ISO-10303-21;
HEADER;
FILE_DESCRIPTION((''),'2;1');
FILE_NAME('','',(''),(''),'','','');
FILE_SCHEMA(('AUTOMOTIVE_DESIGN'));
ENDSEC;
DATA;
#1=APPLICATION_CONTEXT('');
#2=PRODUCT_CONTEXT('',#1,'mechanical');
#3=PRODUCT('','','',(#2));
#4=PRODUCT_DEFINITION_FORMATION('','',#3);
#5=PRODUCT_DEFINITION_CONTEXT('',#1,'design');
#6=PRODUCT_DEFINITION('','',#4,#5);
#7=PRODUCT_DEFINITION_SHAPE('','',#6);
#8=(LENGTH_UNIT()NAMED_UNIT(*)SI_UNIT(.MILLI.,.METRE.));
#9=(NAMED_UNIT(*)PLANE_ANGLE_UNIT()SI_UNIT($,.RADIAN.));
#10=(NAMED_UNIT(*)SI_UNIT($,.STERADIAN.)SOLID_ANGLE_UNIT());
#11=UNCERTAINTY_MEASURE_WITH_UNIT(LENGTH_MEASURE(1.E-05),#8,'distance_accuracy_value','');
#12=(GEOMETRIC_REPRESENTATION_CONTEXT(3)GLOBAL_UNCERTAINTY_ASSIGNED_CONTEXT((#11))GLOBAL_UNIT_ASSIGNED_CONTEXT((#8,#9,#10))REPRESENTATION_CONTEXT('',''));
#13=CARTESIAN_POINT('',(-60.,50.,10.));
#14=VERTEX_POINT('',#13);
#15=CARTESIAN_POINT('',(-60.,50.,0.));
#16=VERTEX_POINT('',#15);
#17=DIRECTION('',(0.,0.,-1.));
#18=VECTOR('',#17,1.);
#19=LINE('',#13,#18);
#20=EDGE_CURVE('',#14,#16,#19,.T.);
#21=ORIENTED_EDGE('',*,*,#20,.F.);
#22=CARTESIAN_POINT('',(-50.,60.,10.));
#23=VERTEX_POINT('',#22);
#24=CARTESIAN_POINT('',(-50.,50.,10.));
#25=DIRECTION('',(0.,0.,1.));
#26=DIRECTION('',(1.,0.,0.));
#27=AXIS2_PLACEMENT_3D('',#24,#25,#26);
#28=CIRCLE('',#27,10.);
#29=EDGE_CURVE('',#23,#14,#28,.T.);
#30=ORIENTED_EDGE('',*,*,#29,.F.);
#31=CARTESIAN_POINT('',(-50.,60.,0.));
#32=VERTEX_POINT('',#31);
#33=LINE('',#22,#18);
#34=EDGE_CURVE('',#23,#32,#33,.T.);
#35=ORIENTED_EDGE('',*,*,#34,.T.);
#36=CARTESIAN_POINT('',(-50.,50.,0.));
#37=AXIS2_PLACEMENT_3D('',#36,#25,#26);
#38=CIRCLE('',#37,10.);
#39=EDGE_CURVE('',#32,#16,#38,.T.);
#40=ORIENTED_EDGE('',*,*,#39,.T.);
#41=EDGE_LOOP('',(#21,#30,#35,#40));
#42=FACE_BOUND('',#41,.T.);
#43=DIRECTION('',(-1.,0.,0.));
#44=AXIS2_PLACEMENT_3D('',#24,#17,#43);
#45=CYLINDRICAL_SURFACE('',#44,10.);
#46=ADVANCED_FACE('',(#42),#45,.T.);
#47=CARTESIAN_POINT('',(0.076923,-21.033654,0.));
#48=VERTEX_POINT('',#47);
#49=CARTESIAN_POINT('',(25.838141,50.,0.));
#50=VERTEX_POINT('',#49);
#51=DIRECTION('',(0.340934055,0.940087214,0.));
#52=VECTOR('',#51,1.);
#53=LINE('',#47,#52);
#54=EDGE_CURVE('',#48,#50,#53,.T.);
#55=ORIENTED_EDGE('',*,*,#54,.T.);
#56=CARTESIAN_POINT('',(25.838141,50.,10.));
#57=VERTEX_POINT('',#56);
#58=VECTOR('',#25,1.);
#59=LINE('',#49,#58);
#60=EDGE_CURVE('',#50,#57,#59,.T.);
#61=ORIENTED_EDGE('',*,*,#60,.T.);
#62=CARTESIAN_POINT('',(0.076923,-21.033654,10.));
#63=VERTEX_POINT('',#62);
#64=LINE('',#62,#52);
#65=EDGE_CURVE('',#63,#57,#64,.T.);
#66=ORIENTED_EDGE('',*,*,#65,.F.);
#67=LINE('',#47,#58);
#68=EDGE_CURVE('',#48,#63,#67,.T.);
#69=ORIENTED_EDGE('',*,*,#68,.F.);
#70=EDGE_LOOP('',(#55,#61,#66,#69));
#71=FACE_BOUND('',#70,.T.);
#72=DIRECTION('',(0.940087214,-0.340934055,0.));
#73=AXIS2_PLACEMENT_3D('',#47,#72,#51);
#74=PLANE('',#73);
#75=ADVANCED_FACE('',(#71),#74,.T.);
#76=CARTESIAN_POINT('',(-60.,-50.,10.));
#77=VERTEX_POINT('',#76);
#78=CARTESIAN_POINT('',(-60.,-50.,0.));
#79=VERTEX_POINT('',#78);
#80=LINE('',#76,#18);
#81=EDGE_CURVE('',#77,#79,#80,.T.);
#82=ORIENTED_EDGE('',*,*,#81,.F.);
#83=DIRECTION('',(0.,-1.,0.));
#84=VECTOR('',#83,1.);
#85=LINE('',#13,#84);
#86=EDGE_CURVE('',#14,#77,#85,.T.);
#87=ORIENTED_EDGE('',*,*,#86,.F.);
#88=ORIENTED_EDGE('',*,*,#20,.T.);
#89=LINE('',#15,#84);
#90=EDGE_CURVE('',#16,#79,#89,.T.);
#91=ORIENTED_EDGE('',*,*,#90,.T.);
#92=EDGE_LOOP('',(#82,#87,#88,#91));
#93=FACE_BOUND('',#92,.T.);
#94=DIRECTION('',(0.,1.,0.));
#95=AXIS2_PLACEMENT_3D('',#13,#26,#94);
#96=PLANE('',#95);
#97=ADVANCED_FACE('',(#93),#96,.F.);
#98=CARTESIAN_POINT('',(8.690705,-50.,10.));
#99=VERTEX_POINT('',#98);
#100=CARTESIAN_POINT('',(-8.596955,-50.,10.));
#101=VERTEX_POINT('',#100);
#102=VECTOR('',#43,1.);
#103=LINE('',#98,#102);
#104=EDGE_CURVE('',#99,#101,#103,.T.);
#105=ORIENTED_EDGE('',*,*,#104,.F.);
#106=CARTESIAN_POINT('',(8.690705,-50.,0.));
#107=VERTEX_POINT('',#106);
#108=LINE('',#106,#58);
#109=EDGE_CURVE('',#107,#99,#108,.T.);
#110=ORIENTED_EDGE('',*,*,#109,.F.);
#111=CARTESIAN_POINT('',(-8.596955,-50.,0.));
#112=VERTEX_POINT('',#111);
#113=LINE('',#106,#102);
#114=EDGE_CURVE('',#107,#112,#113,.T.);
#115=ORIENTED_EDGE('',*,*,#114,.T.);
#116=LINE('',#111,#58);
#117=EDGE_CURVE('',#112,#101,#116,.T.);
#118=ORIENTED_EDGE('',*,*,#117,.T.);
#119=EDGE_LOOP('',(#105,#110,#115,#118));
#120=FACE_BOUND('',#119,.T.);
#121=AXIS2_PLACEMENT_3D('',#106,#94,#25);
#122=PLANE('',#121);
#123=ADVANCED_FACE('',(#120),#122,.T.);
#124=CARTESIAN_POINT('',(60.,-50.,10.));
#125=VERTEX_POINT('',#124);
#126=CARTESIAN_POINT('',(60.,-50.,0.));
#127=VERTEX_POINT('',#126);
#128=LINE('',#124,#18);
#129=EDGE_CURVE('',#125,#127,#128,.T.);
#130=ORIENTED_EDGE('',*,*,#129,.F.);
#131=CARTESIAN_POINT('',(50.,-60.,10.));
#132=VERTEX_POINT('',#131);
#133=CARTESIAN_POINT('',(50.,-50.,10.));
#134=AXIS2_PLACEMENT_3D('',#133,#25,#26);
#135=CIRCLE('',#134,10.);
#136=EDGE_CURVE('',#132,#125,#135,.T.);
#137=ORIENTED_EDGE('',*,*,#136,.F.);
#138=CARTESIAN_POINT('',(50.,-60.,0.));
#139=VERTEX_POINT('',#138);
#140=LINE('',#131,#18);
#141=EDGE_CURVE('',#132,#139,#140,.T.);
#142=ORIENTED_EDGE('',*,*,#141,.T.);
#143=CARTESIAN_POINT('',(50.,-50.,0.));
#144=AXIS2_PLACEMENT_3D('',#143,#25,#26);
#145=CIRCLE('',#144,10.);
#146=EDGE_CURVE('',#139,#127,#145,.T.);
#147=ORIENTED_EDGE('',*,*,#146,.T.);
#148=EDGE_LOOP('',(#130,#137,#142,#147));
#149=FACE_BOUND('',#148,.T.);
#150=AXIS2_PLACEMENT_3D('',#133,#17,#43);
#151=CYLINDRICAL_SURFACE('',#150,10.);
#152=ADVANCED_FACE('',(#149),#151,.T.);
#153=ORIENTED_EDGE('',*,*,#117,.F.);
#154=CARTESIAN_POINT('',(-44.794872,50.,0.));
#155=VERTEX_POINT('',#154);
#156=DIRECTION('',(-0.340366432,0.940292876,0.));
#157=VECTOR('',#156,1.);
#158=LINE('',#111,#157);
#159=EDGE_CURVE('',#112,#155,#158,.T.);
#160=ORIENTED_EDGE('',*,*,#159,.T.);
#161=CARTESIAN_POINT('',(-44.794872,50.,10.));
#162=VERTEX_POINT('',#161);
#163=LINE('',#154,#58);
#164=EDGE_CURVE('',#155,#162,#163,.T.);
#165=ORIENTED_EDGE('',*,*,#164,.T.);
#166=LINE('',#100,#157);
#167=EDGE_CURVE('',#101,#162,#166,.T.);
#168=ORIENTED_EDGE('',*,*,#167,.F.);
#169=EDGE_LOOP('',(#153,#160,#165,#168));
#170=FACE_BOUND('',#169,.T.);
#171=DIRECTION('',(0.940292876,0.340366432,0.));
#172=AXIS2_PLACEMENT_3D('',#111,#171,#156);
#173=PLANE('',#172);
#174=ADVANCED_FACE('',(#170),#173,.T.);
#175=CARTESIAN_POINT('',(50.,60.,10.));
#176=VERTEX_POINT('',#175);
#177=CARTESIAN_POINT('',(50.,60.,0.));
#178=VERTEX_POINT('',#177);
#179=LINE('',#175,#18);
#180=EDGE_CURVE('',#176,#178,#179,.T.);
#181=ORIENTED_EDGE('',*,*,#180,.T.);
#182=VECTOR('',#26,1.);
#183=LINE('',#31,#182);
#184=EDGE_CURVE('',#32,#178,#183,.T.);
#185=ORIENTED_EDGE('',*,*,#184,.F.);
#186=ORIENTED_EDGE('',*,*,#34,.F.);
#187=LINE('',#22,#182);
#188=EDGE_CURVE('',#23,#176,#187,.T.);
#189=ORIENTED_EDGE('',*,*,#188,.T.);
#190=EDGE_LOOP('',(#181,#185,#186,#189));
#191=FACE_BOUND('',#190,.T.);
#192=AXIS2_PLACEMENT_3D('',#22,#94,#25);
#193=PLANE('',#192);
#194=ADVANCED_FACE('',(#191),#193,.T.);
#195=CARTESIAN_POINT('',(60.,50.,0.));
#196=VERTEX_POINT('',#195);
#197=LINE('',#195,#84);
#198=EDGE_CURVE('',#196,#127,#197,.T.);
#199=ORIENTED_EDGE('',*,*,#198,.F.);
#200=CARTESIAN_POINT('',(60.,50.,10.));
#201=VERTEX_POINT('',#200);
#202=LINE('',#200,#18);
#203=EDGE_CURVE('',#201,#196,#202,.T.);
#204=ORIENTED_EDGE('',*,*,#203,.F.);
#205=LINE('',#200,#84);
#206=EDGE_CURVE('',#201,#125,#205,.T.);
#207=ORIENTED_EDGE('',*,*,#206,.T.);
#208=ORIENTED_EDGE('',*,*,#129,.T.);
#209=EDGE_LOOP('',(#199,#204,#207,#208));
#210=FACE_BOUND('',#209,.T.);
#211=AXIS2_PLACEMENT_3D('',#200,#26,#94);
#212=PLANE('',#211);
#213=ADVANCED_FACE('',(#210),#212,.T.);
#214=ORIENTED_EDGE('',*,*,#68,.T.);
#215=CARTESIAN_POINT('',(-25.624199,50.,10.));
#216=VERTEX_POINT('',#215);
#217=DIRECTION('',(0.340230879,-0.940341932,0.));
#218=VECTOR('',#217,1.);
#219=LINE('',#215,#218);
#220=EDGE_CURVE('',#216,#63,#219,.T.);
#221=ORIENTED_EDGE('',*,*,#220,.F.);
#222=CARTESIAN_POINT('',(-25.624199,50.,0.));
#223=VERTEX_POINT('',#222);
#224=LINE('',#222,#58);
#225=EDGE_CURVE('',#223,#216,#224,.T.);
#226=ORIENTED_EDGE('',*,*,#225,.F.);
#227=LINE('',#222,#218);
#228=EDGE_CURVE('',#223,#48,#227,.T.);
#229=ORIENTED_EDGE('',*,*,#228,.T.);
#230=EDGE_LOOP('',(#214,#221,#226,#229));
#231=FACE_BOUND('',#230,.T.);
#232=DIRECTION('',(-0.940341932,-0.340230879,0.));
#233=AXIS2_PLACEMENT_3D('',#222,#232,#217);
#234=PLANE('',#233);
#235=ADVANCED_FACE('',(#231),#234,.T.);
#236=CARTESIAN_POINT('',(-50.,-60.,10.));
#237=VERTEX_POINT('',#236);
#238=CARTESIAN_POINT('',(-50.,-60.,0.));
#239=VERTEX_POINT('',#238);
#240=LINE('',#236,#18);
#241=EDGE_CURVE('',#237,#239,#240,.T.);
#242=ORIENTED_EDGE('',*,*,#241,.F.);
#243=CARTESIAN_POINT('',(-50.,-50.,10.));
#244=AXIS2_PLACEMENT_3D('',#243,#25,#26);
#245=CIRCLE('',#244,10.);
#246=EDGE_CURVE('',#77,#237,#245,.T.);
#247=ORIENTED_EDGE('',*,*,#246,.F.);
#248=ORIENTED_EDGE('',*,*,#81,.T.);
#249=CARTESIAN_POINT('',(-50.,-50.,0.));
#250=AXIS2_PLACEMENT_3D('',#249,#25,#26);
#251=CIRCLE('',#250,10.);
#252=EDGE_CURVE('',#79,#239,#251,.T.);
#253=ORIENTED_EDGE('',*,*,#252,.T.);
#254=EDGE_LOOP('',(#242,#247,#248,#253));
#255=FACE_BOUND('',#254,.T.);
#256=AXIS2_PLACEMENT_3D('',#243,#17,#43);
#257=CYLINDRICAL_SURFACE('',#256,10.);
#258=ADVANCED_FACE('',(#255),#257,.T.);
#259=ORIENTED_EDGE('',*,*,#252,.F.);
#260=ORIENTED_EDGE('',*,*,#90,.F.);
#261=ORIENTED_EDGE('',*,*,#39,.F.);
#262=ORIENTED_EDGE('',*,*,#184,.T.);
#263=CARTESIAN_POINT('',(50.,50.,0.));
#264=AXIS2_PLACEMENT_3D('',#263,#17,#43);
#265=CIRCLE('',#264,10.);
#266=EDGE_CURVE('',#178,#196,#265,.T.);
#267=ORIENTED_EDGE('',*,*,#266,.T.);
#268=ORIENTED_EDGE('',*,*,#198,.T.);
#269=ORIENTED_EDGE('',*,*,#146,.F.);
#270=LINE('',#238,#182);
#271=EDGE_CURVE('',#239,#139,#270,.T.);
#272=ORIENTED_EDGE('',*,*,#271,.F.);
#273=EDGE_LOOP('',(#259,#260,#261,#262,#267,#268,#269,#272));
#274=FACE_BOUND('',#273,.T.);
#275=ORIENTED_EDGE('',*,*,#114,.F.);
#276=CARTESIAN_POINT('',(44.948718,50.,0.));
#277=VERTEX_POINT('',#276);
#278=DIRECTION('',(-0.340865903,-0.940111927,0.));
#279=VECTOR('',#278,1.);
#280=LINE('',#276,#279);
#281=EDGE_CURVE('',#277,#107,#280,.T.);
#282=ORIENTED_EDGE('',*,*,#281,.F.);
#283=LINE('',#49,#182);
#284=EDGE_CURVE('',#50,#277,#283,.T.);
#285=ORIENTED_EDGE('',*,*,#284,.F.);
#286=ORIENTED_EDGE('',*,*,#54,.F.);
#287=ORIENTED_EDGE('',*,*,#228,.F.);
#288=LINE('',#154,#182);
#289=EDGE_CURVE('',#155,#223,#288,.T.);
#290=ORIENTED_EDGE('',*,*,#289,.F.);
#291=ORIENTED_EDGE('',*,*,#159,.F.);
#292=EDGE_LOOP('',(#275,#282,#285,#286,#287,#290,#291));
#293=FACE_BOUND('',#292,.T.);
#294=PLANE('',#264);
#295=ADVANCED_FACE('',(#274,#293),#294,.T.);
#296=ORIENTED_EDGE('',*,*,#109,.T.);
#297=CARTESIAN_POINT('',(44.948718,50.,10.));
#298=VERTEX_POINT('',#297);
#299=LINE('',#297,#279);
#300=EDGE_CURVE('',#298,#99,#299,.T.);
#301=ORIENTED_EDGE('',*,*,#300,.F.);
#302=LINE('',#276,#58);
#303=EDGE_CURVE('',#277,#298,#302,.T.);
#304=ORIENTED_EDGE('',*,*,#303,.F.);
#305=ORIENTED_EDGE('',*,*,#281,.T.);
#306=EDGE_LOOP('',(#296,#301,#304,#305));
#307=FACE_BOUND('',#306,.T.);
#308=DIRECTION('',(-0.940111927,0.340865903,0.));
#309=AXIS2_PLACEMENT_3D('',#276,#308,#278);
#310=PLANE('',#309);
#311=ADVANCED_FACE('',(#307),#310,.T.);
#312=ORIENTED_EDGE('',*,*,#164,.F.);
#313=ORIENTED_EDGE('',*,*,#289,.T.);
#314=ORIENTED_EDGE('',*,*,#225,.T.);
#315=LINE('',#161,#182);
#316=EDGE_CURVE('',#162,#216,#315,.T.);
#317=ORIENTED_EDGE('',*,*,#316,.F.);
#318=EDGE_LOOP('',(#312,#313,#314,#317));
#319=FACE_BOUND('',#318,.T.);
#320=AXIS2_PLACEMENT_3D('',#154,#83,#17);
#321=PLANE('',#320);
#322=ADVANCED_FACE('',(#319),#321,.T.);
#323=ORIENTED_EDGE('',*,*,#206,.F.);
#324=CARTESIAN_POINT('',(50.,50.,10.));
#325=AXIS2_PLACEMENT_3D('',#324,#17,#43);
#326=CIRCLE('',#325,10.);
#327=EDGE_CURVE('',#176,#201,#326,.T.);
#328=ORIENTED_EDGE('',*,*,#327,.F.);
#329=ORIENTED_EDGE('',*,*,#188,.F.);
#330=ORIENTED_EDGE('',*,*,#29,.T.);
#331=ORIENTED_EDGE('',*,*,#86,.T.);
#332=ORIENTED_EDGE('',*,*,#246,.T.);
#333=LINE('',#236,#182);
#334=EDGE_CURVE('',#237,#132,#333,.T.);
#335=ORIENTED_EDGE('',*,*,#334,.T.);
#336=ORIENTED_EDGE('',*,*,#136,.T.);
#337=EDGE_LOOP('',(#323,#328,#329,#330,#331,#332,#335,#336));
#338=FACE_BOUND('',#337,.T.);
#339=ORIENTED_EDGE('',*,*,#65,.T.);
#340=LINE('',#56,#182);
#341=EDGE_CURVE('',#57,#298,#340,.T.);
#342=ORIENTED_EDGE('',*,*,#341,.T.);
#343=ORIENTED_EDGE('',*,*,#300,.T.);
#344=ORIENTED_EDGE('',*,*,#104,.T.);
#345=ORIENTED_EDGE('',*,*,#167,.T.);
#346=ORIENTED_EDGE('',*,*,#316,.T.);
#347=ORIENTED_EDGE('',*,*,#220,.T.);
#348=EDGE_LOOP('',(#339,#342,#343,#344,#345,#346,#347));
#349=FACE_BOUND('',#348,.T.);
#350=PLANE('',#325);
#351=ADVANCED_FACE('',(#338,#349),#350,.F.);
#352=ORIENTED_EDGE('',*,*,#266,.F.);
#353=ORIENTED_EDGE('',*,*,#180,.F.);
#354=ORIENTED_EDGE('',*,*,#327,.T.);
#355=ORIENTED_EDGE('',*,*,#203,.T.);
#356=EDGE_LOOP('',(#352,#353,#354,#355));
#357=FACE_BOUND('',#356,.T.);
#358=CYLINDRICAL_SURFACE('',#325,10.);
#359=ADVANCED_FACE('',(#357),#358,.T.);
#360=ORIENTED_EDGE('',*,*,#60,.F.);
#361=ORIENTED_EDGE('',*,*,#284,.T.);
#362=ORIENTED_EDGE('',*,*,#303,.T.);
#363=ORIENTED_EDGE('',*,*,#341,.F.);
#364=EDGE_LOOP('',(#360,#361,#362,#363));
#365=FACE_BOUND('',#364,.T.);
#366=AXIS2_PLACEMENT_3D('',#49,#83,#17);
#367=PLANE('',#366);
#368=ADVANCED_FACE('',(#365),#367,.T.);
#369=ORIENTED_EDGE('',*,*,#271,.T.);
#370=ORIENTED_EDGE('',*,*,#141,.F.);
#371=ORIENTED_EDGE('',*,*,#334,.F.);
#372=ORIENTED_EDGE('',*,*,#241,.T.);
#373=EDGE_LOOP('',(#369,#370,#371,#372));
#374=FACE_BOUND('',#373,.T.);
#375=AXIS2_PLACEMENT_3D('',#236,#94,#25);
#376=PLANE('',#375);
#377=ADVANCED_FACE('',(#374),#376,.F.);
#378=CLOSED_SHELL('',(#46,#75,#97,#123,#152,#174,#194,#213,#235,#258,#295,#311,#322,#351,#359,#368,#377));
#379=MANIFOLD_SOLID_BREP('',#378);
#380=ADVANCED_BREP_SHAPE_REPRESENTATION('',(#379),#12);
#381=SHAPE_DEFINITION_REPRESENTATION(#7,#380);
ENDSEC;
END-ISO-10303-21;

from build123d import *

# Parameters (mm, degrees)
BOSS_EXTRUDE1_DEPTH = 10
CUT_EXTRUDE35_DEPTH = 10


with BuildPart() as part:
    # Sketch1 → Boss-Extrude1 (new body)
    with BuildSketch(Plane.XY):
        with BuildLine():
            Line((-50, 60), (50, 60))
            ThreePointArc((50, 60), (57.071067812, 57.071067812), (60, 50))
            Line((60, 50), (60, -50))
            ThreePointArc((60, -50), (57.071067812, -57.071067812), (50, -60))
            Line((50, -60), (-50, -60))
            ThreePointArc((-50, -60), (-57.071067812, -57.071067812), (-60, -50))
            Line((-60, -50), (-60, 50))
            ThreePointArc((-60, 50), (-57.071067812, 57.071067812), (-50, 60))
        make_face()
    extrude(amount=BOSS_EXTRUDE1_DEPTH)

    # Sketch2 → Cut-Extrude35 (cut)
    with BuildSketch(Plane.XY.offset(10)):
        Polygon((-44.794871795, 50), (-25.624198718, 50), (0.076923077, -21.033653846), (25.838141026, 50), (44.948717949, 50), (8.690705128, -50), (-8.596955128, -50), align=None)
    extrude(amount=-CUT_EXTRUDE35_DEPTH, mode=Mode.SUBTRACT)


solid = part.part
